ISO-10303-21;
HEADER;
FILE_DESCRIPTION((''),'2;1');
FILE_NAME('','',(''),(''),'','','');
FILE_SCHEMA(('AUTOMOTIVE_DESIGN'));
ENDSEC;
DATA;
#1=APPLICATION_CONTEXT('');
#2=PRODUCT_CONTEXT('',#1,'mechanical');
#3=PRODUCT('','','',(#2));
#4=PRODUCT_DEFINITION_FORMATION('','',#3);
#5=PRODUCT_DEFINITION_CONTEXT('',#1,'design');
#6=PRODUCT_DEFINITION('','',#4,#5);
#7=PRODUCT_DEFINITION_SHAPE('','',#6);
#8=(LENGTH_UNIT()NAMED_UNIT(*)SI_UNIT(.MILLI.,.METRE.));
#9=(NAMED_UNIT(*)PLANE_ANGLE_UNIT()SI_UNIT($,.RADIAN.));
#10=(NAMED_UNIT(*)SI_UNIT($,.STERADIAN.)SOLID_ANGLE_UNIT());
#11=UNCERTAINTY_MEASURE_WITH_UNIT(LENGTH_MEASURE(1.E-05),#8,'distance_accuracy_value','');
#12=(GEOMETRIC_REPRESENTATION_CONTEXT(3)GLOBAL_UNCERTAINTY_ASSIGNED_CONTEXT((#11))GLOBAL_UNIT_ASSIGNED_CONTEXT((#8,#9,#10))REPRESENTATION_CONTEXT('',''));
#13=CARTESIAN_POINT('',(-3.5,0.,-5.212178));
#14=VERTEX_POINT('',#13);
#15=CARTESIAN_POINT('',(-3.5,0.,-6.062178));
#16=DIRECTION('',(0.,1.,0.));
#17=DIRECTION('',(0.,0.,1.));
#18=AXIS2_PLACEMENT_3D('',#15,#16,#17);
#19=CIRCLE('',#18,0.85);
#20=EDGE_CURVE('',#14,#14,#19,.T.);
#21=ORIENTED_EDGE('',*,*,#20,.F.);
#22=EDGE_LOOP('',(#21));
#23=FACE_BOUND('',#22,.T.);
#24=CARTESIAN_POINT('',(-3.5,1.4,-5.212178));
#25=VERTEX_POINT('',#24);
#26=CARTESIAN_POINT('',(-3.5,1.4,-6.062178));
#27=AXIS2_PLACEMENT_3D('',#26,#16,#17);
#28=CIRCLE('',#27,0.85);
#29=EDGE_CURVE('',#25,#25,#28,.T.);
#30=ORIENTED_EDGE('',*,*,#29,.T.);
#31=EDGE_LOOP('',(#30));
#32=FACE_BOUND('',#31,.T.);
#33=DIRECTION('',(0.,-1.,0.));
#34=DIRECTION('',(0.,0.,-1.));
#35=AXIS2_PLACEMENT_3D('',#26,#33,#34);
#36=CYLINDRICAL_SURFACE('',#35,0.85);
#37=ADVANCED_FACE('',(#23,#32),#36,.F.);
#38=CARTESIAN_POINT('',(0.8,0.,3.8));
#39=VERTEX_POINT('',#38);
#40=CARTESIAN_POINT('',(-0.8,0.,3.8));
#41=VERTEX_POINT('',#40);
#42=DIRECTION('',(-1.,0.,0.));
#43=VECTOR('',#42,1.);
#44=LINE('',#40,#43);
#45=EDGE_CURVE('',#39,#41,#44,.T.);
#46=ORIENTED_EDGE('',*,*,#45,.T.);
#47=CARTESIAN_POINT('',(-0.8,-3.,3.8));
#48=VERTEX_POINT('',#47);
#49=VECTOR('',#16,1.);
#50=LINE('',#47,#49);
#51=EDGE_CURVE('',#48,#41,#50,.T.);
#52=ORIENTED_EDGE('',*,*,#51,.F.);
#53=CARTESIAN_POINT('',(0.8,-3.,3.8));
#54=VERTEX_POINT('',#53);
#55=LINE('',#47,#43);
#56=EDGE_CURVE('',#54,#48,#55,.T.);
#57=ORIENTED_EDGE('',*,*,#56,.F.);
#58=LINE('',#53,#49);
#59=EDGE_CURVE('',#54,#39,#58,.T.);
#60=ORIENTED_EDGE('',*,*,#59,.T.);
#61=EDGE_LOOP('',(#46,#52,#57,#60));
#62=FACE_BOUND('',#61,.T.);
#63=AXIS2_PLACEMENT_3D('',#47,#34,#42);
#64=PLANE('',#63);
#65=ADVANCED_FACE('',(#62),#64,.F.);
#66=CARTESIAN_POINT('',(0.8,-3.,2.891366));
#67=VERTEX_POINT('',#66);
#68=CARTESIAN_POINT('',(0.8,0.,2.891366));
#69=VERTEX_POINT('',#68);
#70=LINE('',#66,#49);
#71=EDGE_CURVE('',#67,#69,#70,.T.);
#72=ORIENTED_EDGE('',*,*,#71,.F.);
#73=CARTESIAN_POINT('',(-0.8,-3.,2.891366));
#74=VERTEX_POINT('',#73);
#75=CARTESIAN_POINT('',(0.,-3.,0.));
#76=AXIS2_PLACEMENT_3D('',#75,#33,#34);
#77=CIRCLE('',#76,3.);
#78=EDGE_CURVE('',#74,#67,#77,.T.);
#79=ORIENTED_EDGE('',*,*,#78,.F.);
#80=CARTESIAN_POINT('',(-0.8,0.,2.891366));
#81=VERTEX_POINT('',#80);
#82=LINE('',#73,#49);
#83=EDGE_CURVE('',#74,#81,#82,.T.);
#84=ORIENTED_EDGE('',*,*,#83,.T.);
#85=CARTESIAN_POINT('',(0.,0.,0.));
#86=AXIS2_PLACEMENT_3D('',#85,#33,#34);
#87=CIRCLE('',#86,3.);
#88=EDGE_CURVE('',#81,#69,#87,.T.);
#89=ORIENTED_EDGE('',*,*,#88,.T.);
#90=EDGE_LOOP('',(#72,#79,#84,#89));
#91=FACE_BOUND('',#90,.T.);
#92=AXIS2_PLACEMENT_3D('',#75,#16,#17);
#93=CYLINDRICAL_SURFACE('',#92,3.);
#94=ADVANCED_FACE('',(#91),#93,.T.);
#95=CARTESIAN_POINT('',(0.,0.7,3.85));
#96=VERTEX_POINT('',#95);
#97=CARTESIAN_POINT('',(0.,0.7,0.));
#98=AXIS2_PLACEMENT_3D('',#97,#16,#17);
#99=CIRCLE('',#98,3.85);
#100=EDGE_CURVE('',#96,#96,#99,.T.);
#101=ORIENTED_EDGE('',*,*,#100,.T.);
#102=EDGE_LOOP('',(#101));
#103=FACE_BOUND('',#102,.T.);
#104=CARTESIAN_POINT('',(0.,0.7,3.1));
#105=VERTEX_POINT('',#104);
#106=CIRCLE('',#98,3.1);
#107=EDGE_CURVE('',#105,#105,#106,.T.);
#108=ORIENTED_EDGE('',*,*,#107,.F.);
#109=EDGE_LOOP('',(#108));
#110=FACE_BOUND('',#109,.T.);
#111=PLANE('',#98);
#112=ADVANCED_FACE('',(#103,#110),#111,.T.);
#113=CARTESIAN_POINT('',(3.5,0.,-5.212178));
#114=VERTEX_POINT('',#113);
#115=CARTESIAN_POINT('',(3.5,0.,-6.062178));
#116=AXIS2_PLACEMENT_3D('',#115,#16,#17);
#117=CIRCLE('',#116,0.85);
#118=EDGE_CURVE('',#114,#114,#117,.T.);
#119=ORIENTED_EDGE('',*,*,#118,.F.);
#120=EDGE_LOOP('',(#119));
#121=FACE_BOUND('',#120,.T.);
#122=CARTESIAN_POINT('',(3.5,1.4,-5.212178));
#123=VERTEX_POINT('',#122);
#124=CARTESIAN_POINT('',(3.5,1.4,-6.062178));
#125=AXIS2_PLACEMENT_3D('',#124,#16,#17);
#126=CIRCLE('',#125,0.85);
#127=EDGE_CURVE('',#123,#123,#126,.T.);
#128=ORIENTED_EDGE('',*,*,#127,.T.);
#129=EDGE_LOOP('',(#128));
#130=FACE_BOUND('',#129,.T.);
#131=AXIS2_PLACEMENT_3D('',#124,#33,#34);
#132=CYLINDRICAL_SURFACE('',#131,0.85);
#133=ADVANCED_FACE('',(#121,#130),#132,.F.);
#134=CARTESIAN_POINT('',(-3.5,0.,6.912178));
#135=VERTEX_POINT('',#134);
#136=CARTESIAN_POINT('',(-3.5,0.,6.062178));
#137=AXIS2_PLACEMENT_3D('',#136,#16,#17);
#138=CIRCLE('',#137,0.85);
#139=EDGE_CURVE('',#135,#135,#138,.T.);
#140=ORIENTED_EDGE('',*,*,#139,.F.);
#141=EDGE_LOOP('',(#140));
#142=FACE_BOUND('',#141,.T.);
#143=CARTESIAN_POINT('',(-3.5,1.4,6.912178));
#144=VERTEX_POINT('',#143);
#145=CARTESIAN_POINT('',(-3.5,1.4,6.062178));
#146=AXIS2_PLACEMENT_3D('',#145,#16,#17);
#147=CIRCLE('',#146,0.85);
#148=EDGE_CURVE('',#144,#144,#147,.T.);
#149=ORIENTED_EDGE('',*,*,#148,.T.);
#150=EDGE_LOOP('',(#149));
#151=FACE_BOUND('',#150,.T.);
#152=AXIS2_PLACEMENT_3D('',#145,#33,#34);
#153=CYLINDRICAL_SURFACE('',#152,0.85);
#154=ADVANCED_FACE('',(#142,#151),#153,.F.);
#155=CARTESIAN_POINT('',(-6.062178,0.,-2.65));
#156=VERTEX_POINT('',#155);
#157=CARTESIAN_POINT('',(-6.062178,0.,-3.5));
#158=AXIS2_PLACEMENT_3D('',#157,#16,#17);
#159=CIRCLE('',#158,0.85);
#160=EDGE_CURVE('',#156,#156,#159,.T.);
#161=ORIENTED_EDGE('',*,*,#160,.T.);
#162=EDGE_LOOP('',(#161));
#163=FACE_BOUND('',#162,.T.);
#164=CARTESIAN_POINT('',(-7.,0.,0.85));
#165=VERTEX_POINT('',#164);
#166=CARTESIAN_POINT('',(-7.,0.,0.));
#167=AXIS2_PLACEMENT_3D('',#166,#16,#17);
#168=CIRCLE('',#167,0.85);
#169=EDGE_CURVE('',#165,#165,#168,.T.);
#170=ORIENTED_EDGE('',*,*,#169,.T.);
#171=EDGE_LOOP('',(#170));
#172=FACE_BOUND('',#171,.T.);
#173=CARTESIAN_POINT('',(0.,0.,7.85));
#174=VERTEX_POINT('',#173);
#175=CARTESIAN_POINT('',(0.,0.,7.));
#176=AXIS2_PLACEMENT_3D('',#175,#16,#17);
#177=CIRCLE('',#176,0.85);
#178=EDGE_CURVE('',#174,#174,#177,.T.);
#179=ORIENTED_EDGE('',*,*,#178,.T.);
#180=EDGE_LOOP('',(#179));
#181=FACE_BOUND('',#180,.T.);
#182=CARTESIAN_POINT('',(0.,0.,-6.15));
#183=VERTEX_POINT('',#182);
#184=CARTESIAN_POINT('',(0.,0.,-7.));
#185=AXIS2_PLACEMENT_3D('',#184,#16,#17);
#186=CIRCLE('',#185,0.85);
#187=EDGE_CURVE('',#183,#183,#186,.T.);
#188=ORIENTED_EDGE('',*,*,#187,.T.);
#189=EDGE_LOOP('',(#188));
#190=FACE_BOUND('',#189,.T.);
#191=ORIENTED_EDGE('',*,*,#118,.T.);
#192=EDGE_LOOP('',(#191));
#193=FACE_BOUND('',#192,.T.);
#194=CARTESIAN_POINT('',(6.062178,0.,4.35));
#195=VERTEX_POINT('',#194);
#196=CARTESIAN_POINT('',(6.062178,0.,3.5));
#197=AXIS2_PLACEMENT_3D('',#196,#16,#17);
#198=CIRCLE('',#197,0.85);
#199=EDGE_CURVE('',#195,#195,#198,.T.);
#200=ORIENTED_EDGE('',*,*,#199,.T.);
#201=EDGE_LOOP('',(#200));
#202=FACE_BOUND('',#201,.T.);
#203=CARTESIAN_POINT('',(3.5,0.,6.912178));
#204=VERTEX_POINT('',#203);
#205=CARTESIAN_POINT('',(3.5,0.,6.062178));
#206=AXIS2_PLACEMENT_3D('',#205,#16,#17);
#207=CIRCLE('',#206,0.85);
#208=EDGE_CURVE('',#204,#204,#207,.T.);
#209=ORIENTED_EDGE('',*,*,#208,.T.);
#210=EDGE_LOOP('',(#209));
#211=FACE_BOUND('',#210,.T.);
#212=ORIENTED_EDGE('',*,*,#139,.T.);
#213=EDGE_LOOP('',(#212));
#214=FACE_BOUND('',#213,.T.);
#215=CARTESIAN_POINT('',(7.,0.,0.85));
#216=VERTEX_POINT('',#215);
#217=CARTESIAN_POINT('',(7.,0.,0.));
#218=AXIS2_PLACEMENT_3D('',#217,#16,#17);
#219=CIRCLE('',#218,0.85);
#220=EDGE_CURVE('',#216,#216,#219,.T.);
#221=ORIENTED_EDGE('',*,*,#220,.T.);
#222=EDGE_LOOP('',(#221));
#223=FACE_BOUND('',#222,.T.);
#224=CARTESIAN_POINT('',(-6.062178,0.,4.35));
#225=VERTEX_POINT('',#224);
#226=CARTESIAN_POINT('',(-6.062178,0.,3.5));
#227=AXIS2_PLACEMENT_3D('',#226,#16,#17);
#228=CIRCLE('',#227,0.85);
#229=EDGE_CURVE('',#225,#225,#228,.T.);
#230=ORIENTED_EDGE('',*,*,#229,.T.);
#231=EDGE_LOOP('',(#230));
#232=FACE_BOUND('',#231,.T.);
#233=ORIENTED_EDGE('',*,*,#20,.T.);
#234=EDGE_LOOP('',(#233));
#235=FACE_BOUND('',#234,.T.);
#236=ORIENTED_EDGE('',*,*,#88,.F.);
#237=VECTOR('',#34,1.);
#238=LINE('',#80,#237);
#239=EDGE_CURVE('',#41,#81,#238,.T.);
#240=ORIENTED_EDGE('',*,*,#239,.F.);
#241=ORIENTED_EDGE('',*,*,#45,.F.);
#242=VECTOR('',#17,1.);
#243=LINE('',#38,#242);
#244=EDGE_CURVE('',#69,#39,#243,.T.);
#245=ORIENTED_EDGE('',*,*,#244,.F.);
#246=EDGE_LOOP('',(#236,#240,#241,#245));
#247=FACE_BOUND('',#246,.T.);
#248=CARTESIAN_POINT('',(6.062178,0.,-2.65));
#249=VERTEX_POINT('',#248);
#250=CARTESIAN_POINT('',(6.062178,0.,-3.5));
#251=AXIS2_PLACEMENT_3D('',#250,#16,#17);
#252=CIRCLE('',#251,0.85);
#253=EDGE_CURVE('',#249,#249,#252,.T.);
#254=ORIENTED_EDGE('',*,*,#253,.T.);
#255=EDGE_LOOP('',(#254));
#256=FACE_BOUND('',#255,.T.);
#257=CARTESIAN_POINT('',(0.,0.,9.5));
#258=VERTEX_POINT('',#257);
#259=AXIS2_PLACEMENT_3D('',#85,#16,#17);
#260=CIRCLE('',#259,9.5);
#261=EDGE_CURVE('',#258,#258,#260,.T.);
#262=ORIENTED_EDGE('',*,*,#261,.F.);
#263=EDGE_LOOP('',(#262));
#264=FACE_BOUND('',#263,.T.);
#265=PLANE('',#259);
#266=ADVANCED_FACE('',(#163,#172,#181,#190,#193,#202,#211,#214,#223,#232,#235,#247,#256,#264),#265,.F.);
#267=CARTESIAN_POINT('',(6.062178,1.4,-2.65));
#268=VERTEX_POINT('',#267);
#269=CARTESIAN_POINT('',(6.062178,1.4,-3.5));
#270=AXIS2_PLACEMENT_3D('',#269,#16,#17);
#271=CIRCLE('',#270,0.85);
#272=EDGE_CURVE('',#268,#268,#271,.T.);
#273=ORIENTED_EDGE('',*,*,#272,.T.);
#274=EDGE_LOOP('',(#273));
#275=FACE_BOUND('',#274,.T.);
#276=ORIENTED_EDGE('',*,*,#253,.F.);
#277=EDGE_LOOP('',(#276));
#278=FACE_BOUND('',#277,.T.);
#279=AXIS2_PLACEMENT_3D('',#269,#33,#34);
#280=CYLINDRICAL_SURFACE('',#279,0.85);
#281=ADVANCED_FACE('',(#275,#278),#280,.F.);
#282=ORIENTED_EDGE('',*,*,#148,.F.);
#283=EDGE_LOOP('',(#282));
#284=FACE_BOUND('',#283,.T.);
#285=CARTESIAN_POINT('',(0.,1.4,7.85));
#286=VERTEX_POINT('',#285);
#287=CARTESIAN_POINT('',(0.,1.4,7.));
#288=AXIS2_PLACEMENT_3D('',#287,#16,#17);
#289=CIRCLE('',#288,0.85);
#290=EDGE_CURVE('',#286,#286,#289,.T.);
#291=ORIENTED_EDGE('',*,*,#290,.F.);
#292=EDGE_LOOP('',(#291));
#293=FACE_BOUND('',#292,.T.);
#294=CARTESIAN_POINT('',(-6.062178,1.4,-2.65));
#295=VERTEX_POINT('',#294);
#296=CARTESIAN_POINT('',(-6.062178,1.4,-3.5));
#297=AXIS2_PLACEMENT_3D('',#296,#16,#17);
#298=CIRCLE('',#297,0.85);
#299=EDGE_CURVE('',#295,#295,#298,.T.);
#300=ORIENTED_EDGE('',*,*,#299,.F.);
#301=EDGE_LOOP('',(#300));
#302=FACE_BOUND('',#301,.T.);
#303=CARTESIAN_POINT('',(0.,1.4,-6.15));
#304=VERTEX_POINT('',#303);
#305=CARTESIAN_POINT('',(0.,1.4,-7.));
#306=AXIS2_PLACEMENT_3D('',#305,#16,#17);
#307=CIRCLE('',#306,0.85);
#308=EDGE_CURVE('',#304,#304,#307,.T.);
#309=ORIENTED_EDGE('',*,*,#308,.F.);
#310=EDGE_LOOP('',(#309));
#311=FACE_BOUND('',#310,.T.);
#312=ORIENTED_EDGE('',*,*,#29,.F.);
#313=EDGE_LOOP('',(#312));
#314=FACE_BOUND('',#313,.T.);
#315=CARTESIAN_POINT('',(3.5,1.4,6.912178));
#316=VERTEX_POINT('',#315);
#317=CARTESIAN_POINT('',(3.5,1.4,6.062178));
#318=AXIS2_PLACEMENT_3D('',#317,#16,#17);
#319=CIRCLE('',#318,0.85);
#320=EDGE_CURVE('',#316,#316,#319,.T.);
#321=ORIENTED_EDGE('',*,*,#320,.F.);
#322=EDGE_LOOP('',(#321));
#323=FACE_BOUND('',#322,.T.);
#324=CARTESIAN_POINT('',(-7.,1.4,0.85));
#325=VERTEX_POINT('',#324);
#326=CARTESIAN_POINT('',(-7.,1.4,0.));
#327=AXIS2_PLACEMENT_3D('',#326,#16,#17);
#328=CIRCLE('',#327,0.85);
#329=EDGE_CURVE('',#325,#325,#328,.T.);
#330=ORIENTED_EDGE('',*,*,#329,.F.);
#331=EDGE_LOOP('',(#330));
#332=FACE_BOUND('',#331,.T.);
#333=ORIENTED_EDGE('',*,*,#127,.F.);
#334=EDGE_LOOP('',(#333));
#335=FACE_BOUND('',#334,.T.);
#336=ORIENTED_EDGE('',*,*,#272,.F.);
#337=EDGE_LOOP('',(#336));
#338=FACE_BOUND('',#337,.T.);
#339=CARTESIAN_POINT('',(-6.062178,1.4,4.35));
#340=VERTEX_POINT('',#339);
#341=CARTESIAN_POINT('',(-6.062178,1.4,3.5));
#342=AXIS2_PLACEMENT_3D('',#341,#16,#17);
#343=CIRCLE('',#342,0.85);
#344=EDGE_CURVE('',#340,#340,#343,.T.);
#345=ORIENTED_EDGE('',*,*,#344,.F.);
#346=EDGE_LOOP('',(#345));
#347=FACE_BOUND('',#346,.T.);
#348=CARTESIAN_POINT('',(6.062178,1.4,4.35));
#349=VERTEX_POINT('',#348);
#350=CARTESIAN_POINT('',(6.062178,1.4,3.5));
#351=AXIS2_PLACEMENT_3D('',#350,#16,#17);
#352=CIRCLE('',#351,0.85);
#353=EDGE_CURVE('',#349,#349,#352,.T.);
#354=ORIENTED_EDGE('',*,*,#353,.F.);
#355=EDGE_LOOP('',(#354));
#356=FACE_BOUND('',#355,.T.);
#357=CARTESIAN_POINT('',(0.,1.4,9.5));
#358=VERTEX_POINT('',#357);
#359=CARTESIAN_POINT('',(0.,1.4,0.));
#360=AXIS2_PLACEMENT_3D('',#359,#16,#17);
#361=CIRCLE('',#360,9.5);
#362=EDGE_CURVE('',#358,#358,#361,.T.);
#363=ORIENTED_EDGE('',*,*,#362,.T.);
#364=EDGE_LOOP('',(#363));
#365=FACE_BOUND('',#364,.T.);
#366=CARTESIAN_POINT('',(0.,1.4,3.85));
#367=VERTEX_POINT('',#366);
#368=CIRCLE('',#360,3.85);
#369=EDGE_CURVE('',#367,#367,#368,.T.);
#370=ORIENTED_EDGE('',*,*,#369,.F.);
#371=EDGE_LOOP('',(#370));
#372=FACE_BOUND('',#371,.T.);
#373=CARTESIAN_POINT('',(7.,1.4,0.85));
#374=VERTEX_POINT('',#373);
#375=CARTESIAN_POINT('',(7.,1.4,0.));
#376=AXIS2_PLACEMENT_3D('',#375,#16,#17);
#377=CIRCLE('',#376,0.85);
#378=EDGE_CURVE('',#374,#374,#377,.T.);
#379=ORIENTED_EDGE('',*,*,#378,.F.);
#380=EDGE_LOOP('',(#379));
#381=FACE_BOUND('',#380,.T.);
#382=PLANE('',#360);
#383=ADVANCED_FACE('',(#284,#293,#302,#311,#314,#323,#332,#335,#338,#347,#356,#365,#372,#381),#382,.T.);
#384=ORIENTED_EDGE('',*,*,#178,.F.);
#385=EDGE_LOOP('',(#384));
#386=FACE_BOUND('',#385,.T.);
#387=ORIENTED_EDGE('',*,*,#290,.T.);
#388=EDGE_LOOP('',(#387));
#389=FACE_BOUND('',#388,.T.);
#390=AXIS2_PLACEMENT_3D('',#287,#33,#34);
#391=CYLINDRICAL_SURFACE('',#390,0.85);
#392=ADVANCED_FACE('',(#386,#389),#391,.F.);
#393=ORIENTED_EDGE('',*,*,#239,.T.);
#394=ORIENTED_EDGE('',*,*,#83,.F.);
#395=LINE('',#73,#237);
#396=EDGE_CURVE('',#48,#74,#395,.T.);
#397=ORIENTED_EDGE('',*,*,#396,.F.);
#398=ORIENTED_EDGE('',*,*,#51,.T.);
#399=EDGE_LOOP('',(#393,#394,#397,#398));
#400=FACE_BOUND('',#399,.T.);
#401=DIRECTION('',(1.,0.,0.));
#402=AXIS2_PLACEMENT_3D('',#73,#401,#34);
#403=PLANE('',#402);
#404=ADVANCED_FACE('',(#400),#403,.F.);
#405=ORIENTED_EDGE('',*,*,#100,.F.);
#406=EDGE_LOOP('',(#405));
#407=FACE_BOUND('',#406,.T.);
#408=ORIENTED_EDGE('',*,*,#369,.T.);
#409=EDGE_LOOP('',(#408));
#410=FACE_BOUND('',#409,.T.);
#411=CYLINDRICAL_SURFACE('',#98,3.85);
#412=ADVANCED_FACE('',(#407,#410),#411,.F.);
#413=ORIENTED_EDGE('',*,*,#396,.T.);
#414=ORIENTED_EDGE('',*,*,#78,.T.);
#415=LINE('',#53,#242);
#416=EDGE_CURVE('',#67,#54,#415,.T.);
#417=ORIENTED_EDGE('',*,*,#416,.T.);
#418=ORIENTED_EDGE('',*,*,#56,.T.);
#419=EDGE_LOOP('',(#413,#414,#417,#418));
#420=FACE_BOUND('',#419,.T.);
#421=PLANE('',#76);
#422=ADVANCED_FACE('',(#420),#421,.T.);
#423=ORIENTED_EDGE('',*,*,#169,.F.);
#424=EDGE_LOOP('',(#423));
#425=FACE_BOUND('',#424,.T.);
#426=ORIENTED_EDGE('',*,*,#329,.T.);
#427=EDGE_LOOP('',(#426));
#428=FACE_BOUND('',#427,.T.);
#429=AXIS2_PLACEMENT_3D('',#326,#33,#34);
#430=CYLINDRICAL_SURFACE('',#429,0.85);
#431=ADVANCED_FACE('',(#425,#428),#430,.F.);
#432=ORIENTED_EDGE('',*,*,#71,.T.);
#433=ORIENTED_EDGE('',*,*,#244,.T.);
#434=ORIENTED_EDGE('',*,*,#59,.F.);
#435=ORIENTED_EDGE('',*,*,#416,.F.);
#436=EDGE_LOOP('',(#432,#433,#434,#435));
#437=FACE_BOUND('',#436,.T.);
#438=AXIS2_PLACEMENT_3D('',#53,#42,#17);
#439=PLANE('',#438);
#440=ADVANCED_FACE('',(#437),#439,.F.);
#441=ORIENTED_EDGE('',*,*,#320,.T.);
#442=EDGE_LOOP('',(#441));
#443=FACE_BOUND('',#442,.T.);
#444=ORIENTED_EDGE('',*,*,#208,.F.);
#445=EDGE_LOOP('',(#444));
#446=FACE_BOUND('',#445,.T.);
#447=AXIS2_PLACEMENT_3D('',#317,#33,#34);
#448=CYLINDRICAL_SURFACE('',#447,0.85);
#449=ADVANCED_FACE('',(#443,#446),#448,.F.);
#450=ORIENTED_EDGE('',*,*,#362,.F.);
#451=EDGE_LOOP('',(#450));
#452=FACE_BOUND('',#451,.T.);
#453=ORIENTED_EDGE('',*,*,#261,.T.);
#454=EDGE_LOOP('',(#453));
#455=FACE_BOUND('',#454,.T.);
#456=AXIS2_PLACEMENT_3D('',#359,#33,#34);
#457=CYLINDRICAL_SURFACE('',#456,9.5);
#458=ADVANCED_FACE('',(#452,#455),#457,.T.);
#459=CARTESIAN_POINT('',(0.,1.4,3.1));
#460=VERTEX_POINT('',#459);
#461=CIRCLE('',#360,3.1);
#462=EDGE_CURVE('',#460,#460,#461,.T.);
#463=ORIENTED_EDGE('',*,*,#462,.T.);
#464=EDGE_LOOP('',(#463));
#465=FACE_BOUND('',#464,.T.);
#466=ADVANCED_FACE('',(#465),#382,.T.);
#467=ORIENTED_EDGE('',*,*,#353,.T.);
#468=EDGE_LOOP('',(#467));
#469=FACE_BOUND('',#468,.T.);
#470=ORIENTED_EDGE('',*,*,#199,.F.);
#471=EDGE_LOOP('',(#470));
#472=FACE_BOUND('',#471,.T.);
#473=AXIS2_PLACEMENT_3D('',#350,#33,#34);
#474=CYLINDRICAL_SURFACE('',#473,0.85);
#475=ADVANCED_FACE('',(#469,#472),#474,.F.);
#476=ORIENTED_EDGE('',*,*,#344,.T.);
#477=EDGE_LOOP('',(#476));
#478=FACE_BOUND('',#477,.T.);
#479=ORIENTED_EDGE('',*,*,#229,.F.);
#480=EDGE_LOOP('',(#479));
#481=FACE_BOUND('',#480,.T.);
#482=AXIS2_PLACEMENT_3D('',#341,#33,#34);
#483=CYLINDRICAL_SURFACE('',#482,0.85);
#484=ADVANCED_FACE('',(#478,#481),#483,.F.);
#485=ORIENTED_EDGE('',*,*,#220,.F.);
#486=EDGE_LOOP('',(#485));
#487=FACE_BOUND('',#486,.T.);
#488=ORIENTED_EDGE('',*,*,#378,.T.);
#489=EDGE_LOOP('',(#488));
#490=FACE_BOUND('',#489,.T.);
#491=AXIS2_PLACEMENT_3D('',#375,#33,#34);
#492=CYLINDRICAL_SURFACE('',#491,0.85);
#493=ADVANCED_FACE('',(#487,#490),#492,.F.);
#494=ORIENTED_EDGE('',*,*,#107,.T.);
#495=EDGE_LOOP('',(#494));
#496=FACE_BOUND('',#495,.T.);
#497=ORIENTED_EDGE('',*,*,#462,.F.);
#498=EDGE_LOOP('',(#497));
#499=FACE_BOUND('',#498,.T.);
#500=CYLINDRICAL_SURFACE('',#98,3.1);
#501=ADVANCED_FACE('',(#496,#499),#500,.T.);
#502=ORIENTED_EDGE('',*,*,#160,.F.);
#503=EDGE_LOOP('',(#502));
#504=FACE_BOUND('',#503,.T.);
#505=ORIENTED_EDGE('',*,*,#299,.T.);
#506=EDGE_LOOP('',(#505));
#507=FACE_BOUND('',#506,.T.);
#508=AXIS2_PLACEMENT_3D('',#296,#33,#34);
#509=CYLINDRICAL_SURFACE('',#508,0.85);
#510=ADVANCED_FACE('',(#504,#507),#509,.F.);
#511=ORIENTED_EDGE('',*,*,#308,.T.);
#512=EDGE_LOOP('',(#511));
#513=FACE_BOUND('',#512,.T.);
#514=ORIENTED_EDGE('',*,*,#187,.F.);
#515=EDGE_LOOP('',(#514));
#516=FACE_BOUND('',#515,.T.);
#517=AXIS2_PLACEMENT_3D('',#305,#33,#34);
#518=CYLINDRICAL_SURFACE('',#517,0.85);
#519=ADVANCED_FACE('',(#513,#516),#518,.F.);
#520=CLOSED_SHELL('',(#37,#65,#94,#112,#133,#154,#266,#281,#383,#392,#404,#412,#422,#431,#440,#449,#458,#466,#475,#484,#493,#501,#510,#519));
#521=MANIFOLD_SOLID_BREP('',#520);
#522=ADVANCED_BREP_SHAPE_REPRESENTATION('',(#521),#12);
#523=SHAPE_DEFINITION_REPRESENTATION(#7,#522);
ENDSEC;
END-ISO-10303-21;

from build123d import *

# Parameters (mm, degrees)
SKETCH_1_R          = 9.5
SKETCH_1_R_2        = 0.85
EXTRUDE_1_DEPTH     = 1.4
SKETCH_2_R          = 3.85
SKETCH_2_R_2        = 3.1
CUT_EXTRUDE_1_DEPTH = 0.7
EXTRUDE_2_DEPTH     = 3


with BuildPart() as part:
    # 스케치1 → 보스-돌출1 (new body)
    with BuildSketch(Plane(origin=(0, 0, 0), x_dir=(1, 0, 0), z_dir=(0, 1, 0))):
        with Locations(Location((0, 0, 0), (0, 0, 270))):
            Circle(SKETCH_1_R)
        with Locations(Location((0, 7, 0), (0, 0, 270))):
            Circle(SKETCH_1_R_2, mode=Mode.SUBTRACT)
        with Locations(Location((3.5, 6.062177826, 0), (0, 0, 270))):
            Circle(SKETCH_1_R_2, mode=Mode.SUBTRACT)
        with Locations(Location((6.062177826, 3.5, 0), (0, 0, 270))):
            Circle(SKETCH_1_R_2, mode=Mode.SUBTRACT)
        with Locations(Location((7, 0, 0), (0, 0, 270))):
            Circle(SKETCH_1_R_2, mode=Mode.SUBTRACT)
        with Locations(Location((6.062177826, -3.5, 0), (0, 0, 270))):
            Circle(SKETCH_1_R_2, mode=Mode.SUBTRACT)
        with Locations(Location((3.5, -6.062177826, 0), (0, 0, 270))):
            Circle(SKETCH_1_R_2, mode=Mode.SUBTRACT)
        with Locations(Location((0, -7, 0), (0, 0, 270))):
            Circle(SKETCH_1_R_2, mode=Mode.SUBTRACT)
        with Locations(Location((-3.5, -6.062177826, 0), (0, 0, 270))):
            Circle(SKETCH_1_R_2, mode=Mode.SUBTRACT)
        with Locations(Location((-6.062177826, -3.5, 0), (0, 0, 270))):
            Circle(SKETCH_1_R_2, mode=Mode.SUBTRACT)
        with Locations(Location((-7, 0, 0), (0, 0, 270))):
            Circle(SKETCH_1_R_2, mode=Mode.SUBTRACT)
        with Locations(Location((-6.062177826, 3.5, 0), (0, 0, 270))):
            Circle(SKETCH_1_R_2, mode=Mode.SUBTRACT)
        with Locations(Location((-3.5, 6.062177826, 0), (0, 0, 270))):
            Circle(SKETCH_1_R_2, mode=Mode.SUBTRACT)
    extrude(amount=EXTRUDE_1_DEPTH)

    # 스케치2 → 컷-돌출1 (cut)
    with BuildSketch(Plane(origin=(0, 1.4, 0), x_dir=(1, 0, 0), z_dir=(0, 1, 0))):
        with Locations(Location((0, 0, 0), (0, 0, 270))):
            Circle(SKETCH_2_R)
        with Locations(Location((0, 0, 0), (0, 0, 270))):
            Circle(SKETCH_2_R_2, mode=Mode.SUBTRACT)
    extrude(amount=-CUT_EXTRUDE_1_DEPTH, mode=Mode.SUBTRACT)

    # 스케치3 → 보스-돌출2 (add)
    with BuildSketch(Plane.XZ):
        with BuildLine():
            Line((-0.8, 2.891366459), (-0.8, 3.8))
            Line((-0.8, 3.8), (0.8, 3.8))
            Line((0.8, 3.8), (0.8, 2.891366459))
            ThreePointArc((0.8, 2.891366459), (0, -3), (-0.8, 2.891366459))
        make_face()
    extrude(amount=EXTRUDE_2_DEPTH)


solid = part.part
